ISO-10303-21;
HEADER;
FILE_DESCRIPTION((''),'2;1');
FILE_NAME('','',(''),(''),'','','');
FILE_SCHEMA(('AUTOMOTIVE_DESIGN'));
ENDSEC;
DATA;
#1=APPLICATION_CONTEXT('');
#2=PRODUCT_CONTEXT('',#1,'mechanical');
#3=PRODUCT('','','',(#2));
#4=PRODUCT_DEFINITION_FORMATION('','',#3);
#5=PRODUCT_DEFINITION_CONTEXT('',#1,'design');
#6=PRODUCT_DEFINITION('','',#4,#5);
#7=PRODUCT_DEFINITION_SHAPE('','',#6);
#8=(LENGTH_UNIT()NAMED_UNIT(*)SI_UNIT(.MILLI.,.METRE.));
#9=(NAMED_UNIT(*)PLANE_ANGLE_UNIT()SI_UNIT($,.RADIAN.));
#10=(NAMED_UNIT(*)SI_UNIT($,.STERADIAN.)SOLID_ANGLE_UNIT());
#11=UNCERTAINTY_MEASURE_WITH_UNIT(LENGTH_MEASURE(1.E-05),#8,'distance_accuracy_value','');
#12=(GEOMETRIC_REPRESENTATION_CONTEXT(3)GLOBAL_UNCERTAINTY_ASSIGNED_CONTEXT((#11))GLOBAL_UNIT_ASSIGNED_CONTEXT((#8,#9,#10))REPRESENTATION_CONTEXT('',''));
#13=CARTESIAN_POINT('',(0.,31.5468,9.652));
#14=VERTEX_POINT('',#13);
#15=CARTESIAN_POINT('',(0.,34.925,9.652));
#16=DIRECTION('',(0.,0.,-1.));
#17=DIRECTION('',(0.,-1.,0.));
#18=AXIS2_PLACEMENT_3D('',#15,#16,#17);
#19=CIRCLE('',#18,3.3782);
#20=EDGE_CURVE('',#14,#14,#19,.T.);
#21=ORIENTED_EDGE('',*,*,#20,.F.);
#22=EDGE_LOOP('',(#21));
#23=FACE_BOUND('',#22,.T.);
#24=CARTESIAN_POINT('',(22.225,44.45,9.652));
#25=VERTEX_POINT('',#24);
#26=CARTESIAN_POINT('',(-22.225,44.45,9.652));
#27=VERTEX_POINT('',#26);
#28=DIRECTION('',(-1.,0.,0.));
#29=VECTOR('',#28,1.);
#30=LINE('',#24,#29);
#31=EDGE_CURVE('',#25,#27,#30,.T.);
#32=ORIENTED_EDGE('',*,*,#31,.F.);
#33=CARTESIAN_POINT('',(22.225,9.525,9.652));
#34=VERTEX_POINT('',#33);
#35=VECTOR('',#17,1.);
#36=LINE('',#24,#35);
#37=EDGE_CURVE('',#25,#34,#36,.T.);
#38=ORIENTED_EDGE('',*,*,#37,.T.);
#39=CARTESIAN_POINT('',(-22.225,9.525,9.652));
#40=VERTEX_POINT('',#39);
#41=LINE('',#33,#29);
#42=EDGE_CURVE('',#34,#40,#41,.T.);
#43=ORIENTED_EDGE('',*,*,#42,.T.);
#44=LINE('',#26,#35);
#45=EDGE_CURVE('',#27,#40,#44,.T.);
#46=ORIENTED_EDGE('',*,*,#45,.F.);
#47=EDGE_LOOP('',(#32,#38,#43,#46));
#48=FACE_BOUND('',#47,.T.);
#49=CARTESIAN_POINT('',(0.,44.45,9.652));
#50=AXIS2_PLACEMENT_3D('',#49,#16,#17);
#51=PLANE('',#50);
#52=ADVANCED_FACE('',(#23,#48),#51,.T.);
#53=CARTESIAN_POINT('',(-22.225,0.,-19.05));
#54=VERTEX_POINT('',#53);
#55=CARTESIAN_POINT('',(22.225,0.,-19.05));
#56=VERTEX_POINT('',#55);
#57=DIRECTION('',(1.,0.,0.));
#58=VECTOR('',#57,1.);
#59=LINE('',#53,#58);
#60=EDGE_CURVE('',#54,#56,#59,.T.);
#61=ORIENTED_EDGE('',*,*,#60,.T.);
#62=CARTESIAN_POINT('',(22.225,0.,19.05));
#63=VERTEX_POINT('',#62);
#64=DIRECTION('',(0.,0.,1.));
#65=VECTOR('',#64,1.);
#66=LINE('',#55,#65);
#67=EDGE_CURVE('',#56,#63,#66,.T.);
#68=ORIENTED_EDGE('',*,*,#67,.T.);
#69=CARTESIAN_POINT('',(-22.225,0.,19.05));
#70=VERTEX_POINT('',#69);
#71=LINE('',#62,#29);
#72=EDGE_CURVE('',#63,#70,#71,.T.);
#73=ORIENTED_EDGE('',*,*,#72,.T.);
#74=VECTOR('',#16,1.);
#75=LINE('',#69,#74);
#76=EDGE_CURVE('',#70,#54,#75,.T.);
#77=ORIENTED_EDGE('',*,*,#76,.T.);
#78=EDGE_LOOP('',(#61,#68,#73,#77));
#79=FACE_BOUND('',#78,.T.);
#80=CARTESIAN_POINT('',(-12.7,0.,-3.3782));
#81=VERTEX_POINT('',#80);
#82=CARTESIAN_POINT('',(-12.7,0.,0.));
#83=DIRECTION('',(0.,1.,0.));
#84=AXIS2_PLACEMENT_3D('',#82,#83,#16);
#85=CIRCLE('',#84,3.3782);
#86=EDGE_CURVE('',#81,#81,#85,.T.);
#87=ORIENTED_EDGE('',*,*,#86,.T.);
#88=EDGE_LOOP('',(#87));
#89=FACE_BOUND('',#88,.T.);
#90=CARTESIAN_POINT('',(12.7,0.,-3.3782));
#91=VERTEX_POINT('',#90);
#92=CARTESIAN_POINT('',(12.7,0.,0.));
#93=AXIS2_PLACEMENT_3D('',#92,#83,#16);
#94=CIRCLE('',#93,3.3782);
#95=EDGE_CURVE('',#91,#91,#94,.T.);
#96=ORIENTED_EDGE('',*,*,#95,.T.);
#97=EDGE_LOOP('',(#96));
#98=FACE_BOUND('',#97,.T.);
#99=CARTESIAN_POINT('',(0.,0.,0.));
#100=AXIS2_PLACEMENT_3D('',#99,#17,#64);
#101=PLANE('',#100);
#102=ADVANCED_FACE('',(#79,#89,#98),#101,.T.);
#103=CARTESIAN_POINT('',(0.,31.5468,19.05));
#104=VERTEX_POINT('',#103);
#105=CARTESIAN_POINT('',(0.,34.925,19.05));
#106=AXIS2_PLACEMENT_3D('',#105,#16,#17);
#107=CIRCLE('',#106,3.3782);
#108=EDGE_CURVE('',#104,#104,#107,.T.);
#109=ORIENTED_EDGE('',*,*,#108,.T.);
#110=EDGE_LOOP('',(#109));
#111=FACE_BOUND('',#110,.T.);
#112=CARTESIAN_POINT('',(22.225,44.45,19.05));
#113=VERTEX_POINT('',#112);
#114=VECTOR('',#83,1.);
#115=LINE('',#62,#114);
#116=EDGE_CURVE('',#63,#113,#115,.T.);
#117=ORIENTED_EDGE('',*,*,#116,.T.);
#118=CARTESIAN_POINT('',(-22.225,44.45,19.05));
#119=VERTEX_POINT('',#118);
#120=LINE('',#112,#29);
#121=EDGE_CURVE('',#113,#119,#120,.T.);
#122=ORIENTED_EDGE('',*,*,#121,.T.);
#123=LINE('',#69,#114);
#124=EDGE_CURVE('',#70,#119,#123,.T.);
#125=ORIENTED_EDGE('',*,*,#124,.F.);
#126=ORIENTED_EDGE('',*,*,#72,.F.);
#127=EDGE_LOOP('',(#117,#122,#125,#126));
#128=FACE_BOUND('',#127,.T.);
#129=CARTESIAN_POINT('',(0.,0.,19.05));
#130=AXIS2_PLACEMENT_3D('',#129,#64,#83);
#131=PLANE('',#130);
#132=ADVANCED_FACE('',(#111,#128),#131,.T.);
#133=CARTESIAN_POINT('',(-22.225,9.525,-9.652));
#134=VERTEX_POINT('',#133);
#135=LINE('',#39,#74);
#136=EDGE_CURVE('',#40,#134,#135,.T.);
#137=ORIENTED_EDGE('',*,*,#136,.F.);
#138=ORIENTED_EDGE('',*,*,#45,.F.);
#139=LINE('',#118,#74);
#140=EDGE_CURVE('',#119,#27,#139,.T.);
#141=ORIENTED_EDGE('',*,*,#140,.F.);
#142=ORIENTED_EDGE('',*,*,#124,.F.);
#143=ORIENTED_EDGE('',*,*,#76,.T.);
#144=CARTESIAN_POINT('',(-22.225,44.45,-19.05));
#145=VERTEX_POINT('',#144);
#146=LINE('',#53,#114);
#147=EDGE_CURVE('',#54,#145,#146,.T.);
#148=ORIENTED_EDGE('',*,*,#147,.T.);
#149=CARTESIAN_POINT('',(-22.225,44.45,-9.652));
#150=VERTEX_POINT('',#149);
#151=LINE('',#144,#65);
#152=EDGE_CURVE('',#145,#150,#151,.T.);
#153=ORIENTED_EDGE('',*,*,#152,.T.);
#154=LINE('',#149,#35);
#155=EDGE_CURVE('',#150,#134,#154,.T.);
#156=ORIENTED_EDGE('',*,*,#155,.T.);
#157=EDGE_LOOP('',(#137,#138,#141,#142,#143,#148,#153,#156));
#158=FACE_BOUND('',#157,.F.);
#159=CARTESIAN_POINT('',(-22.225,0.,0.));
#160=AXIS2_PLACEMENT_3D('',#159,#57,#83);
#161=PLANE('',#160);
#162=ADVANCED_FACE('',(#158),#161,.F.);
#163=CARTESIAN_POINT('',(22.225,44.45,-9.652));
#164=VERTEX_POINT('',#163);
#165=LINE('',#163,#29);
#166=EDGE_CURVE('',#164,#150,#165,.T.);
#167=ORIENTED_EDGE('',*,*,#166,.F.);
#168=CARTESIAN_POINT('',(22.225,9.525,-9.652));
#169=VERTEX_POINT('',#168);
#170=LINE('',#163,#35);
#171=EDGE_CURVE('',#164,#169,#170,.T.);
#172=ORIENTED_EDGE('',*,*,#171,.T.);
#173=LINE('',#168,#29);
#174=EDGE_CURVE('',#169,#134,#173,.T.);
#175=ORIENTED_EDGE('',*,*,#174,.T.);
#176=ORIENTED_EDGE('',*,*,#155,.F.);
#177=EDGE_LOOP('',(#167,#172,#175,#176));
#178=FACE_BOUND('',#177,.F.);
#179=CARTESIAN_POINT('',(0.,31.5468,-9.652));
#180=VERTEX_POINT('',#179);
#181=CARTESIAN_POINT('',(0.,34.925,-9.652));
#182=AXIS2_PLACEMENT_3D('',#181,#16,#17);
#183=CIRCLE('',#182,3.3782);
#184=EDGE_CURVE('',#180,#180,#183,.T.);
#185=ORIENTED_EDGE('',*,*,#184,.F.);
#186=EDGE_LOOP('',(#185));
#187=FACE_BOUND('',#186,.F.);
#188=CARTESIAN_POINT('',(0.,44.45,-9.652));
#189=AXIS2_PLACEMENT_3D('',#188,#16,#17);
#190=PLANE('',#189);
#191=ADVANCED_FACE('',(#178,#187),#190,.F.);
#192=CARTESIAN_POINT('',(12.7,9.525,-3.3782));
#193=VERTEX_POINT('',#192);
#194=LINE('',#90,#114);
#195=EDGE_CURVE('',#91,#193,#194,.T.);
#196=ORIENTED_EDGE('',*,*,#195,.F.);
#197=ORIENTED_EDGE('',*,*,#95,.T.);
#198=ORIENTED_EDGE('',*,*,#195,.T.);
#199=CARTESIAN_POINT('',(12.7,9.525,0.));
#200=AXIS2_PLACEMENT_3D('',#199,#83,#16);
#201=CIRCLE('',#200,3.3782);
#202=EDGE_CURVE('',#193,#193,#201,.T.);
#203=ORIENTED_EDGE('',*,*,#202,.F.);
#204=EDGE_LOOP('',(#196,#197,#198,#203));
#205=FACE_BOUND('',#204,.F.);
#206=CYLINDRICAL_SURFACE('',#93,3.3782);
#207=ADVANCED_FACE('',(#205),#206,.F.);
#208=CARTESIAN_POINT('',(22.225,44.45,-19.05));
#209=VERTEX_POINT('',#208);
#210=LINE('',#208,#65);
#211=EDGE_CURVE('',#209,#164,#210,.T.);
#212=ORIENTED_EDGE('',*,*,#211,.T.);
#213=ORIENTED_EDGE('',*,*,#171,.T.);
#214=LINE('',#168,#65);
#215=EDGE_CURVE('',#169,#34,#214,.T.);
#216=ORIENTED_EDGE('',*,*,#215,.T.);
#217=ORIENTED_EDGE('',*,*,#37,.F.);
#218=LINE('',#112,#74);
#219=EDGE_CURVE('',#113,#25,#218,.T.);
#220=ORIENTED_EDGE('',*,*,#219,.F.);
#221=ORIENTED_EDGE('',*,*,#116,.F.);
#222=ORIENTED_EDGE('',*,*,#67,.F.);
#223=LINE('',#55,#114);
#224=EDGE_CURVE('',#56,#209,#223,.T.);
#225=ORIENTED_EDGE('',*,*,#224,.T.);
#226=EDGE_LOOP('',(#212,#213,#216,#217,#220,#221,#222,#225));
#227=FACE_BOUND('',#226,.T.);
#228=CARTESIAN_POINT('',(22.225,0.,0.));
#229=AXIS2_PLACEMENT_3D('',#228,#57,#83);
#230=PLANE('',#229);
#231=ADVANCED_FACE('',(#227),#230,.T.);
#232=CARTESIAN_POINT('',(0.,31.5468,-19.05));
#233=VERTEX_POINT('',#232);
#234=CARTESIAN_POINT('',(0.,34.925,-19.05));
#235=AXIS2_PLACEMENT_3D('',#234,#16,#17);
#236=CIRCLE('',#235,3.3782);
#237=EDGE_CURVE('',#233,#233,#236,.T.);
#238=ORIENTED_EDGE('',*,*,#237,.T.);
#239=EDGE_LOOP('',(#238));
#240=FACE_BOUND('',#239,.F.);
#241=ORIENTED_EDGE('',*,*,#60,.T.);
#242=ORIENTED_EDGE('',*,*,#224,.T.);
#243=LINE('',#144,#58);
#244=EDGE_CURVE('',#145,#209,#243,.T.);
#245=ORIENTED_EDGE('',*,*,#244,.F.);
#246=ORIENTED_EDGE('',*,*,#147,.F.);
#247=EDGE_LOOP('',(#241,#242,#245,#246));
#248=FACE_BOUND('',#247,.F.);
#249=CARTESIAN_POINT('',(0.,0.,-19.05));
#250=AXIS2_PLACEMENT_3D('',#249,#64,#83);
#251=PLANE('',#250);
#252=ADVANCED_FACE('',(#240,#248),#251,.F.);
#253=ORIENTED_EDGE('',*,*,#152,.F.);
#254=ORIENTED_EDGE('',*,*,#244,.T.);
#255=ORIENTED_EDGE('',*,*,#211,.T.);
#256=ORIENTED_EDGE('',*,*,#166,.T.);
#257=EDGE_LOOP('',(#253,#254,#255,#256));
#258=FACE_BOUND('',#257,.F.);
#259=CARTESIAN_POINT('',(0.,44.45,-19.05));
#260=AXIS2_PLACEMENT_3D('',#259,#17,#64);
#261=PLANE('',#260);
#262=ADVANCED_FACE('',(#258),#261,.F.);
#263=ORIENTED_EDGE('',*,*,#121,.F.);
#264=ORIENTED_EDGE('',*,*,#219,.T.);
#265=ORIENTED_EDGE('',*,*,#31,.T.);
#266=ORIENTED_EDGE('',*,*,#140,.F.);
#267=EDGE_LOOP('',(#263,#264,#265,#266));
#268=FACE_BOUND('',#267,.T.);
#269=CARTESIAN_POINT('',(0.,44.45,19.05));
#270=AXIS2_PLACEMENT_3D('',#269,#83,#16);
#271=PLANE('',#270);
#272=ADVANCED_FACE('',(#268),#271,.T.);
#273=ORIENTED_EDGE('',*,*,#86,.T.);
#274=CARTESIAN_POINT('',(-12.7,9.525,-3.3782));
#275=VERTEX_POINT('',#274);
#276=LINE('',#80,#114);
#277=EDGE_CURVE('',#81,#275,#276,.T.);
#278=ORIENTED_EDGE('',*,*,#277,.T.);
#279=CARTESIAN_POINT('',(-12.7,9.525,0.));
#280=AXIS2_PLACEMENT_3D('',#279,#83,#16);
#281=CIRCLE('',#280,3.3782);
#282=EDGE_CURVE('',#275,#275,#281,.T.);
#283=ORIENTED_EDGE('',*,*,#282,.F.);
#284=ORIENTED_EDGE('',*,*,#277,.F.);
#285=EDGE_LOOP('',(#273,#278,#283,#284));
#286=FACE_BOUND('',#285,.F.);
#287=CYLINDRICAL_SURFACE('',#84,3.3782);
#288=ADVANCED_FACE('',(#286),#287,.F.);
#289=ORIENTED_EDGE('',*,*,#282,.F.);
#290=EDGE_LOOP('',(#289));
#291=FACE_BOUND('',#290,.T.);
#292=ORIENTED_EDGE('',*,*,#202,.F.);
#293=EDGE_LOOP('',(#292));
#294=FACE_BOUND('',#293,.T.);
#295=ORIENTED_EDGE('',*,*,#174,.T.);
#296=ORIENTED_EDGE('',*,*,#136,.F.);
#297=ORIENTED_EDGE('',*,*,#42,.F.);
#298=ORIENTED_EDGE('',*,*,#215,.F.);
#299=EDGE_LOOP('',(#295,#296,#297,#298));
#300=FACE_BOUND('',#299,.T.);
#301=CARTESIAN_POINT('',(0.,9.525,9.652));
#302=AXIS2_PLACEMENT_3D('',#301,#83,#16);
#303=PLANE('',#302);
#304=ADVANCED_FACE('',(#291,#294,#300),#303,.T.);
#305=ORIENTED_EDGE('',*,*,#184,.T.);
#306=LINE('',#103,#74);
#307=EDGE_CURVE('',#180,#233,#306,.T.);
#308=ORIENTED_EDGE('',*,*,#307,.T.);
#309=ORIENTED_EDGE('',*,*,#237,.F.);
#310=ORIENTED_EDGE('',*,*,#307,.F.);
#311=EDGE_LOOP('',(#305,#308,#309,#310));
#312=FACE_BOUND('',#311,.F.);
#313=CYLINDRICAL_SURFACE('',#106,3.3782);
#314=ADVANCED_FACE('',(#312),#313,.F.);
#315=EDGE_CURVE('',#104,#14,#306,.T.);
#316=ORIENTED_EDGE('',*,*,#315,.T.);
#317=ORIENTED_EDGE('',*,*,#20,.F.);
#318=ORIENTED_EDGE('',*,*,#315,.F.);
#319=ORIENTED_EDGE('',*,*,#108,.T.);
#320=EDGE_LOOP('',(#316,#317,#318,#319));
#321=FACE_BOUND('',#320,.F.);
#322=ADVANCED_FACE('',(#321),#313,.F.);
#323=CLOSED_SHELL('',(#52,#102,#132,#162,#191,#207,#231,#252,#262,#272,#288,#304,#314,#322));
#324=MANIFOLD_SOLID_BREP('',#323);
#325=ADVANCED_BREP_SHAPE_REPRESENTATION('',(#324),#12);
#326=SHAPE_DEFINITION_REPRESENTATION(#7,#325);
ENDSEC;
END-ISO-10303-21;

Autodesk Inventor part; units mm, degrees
ref_plane "YZ Plane" through (0, 0, 0) normal (1, 0, 0) x (0, 1, 0)
ref_plane "XZ Plane" through (0, 0, 0) normal (0, 1, 0) x (-1, 0, 0)
ref_plane "XY Plane" through (0, 0, 0) normal (0, 0, 1) x (1, 0, 0)
sketch "Sketch2" plane through (0, 0, 0) normal (1, 0, 0) x (0, 1, 0)
  line L0 (0, 0) -> (0, -19.05)
  line L1 (0, -19.05) -> (44.45, -19.05)
  line L2 (44.45, -19.05) -> (44.45, -9.652)
  line L3 (44.45, -9.652) -> (9.525, -9.652)
  line L4 (9.525, -9.652) -> (9.525, 0)
  line L5 (9.525, 0) -> (0, 0) construction
  line L6 (0, 0) -> (0, 19.05)
  line L7 (0, 19.05) -> (44.45, 19.05)
  line L8 (44.45, 19.05) -> (44.45, 9.652)
  line L9 (44.45, 9.652) -> (9.525, 9.652)
  line L10 (9.525, 9.652) -> (9.525, 0)
  dimension "d5" = 44.45
  dimension "d7" = 9.398
  dimension "d8" = 9.525
  dimension "d42" = 9.652
extrude "Extrusion2" add sketch "Sketch2" along normal mid plane 44.45
sketch "Sketch3" plane through (-22.225, 0, 19.05) normal (0, 0, 1) x (1, 0, 0)
  line L0 (0, 44.45) -> (44.45, 44.45) projected
  line L1 (22.225, 44.45) -> (22.225, 0) construction
  point P0 (22.225, 34.925)
  dimension "d19" = 9.525
hole "Hole2" at (0, 34.925, 19.05) direction (0, 0, -1) diameter 6.7564 end through all clearance for "Flat Head Machine Screw (82)" size "1/4" standard "Ansi Unified Screw Threads"
sketch "Sketch4" plane through (-22.225, 0, -19.05) normal (0, -1, 0) x (1, 0, 0)
  line L0 (44.45, 9.398) -> (44.45, 28.702) construction
  line L1 (44.45, 19.05) -> (0, 19.05) construction
  line L2 (0, 28.702) -> (0, 9.398) construction
  line L3 (44.45, 38.1) -> (44.45, 0) construction
  line L4 (19.05, 19.05) -> (-25.4, 19.05) construction
  point P0 (22.225, 19.05)
  point P1 (34.925, 19.05)
  point P2 (9.525, 19.05)
  dimension "d27" = 9.525
  dimension "d30" = 25.4
hole "Hole3" at (12.7, 0, 0) at (-12.7, 0, 0) direction (0, 1, 0) diameter 6.7564 end through all clearance for "Flat Head Machine Screw (82)" size "1/4" standard "Ansi Unified Screw Threads"
properties part number "BracketForEndOfArm"
